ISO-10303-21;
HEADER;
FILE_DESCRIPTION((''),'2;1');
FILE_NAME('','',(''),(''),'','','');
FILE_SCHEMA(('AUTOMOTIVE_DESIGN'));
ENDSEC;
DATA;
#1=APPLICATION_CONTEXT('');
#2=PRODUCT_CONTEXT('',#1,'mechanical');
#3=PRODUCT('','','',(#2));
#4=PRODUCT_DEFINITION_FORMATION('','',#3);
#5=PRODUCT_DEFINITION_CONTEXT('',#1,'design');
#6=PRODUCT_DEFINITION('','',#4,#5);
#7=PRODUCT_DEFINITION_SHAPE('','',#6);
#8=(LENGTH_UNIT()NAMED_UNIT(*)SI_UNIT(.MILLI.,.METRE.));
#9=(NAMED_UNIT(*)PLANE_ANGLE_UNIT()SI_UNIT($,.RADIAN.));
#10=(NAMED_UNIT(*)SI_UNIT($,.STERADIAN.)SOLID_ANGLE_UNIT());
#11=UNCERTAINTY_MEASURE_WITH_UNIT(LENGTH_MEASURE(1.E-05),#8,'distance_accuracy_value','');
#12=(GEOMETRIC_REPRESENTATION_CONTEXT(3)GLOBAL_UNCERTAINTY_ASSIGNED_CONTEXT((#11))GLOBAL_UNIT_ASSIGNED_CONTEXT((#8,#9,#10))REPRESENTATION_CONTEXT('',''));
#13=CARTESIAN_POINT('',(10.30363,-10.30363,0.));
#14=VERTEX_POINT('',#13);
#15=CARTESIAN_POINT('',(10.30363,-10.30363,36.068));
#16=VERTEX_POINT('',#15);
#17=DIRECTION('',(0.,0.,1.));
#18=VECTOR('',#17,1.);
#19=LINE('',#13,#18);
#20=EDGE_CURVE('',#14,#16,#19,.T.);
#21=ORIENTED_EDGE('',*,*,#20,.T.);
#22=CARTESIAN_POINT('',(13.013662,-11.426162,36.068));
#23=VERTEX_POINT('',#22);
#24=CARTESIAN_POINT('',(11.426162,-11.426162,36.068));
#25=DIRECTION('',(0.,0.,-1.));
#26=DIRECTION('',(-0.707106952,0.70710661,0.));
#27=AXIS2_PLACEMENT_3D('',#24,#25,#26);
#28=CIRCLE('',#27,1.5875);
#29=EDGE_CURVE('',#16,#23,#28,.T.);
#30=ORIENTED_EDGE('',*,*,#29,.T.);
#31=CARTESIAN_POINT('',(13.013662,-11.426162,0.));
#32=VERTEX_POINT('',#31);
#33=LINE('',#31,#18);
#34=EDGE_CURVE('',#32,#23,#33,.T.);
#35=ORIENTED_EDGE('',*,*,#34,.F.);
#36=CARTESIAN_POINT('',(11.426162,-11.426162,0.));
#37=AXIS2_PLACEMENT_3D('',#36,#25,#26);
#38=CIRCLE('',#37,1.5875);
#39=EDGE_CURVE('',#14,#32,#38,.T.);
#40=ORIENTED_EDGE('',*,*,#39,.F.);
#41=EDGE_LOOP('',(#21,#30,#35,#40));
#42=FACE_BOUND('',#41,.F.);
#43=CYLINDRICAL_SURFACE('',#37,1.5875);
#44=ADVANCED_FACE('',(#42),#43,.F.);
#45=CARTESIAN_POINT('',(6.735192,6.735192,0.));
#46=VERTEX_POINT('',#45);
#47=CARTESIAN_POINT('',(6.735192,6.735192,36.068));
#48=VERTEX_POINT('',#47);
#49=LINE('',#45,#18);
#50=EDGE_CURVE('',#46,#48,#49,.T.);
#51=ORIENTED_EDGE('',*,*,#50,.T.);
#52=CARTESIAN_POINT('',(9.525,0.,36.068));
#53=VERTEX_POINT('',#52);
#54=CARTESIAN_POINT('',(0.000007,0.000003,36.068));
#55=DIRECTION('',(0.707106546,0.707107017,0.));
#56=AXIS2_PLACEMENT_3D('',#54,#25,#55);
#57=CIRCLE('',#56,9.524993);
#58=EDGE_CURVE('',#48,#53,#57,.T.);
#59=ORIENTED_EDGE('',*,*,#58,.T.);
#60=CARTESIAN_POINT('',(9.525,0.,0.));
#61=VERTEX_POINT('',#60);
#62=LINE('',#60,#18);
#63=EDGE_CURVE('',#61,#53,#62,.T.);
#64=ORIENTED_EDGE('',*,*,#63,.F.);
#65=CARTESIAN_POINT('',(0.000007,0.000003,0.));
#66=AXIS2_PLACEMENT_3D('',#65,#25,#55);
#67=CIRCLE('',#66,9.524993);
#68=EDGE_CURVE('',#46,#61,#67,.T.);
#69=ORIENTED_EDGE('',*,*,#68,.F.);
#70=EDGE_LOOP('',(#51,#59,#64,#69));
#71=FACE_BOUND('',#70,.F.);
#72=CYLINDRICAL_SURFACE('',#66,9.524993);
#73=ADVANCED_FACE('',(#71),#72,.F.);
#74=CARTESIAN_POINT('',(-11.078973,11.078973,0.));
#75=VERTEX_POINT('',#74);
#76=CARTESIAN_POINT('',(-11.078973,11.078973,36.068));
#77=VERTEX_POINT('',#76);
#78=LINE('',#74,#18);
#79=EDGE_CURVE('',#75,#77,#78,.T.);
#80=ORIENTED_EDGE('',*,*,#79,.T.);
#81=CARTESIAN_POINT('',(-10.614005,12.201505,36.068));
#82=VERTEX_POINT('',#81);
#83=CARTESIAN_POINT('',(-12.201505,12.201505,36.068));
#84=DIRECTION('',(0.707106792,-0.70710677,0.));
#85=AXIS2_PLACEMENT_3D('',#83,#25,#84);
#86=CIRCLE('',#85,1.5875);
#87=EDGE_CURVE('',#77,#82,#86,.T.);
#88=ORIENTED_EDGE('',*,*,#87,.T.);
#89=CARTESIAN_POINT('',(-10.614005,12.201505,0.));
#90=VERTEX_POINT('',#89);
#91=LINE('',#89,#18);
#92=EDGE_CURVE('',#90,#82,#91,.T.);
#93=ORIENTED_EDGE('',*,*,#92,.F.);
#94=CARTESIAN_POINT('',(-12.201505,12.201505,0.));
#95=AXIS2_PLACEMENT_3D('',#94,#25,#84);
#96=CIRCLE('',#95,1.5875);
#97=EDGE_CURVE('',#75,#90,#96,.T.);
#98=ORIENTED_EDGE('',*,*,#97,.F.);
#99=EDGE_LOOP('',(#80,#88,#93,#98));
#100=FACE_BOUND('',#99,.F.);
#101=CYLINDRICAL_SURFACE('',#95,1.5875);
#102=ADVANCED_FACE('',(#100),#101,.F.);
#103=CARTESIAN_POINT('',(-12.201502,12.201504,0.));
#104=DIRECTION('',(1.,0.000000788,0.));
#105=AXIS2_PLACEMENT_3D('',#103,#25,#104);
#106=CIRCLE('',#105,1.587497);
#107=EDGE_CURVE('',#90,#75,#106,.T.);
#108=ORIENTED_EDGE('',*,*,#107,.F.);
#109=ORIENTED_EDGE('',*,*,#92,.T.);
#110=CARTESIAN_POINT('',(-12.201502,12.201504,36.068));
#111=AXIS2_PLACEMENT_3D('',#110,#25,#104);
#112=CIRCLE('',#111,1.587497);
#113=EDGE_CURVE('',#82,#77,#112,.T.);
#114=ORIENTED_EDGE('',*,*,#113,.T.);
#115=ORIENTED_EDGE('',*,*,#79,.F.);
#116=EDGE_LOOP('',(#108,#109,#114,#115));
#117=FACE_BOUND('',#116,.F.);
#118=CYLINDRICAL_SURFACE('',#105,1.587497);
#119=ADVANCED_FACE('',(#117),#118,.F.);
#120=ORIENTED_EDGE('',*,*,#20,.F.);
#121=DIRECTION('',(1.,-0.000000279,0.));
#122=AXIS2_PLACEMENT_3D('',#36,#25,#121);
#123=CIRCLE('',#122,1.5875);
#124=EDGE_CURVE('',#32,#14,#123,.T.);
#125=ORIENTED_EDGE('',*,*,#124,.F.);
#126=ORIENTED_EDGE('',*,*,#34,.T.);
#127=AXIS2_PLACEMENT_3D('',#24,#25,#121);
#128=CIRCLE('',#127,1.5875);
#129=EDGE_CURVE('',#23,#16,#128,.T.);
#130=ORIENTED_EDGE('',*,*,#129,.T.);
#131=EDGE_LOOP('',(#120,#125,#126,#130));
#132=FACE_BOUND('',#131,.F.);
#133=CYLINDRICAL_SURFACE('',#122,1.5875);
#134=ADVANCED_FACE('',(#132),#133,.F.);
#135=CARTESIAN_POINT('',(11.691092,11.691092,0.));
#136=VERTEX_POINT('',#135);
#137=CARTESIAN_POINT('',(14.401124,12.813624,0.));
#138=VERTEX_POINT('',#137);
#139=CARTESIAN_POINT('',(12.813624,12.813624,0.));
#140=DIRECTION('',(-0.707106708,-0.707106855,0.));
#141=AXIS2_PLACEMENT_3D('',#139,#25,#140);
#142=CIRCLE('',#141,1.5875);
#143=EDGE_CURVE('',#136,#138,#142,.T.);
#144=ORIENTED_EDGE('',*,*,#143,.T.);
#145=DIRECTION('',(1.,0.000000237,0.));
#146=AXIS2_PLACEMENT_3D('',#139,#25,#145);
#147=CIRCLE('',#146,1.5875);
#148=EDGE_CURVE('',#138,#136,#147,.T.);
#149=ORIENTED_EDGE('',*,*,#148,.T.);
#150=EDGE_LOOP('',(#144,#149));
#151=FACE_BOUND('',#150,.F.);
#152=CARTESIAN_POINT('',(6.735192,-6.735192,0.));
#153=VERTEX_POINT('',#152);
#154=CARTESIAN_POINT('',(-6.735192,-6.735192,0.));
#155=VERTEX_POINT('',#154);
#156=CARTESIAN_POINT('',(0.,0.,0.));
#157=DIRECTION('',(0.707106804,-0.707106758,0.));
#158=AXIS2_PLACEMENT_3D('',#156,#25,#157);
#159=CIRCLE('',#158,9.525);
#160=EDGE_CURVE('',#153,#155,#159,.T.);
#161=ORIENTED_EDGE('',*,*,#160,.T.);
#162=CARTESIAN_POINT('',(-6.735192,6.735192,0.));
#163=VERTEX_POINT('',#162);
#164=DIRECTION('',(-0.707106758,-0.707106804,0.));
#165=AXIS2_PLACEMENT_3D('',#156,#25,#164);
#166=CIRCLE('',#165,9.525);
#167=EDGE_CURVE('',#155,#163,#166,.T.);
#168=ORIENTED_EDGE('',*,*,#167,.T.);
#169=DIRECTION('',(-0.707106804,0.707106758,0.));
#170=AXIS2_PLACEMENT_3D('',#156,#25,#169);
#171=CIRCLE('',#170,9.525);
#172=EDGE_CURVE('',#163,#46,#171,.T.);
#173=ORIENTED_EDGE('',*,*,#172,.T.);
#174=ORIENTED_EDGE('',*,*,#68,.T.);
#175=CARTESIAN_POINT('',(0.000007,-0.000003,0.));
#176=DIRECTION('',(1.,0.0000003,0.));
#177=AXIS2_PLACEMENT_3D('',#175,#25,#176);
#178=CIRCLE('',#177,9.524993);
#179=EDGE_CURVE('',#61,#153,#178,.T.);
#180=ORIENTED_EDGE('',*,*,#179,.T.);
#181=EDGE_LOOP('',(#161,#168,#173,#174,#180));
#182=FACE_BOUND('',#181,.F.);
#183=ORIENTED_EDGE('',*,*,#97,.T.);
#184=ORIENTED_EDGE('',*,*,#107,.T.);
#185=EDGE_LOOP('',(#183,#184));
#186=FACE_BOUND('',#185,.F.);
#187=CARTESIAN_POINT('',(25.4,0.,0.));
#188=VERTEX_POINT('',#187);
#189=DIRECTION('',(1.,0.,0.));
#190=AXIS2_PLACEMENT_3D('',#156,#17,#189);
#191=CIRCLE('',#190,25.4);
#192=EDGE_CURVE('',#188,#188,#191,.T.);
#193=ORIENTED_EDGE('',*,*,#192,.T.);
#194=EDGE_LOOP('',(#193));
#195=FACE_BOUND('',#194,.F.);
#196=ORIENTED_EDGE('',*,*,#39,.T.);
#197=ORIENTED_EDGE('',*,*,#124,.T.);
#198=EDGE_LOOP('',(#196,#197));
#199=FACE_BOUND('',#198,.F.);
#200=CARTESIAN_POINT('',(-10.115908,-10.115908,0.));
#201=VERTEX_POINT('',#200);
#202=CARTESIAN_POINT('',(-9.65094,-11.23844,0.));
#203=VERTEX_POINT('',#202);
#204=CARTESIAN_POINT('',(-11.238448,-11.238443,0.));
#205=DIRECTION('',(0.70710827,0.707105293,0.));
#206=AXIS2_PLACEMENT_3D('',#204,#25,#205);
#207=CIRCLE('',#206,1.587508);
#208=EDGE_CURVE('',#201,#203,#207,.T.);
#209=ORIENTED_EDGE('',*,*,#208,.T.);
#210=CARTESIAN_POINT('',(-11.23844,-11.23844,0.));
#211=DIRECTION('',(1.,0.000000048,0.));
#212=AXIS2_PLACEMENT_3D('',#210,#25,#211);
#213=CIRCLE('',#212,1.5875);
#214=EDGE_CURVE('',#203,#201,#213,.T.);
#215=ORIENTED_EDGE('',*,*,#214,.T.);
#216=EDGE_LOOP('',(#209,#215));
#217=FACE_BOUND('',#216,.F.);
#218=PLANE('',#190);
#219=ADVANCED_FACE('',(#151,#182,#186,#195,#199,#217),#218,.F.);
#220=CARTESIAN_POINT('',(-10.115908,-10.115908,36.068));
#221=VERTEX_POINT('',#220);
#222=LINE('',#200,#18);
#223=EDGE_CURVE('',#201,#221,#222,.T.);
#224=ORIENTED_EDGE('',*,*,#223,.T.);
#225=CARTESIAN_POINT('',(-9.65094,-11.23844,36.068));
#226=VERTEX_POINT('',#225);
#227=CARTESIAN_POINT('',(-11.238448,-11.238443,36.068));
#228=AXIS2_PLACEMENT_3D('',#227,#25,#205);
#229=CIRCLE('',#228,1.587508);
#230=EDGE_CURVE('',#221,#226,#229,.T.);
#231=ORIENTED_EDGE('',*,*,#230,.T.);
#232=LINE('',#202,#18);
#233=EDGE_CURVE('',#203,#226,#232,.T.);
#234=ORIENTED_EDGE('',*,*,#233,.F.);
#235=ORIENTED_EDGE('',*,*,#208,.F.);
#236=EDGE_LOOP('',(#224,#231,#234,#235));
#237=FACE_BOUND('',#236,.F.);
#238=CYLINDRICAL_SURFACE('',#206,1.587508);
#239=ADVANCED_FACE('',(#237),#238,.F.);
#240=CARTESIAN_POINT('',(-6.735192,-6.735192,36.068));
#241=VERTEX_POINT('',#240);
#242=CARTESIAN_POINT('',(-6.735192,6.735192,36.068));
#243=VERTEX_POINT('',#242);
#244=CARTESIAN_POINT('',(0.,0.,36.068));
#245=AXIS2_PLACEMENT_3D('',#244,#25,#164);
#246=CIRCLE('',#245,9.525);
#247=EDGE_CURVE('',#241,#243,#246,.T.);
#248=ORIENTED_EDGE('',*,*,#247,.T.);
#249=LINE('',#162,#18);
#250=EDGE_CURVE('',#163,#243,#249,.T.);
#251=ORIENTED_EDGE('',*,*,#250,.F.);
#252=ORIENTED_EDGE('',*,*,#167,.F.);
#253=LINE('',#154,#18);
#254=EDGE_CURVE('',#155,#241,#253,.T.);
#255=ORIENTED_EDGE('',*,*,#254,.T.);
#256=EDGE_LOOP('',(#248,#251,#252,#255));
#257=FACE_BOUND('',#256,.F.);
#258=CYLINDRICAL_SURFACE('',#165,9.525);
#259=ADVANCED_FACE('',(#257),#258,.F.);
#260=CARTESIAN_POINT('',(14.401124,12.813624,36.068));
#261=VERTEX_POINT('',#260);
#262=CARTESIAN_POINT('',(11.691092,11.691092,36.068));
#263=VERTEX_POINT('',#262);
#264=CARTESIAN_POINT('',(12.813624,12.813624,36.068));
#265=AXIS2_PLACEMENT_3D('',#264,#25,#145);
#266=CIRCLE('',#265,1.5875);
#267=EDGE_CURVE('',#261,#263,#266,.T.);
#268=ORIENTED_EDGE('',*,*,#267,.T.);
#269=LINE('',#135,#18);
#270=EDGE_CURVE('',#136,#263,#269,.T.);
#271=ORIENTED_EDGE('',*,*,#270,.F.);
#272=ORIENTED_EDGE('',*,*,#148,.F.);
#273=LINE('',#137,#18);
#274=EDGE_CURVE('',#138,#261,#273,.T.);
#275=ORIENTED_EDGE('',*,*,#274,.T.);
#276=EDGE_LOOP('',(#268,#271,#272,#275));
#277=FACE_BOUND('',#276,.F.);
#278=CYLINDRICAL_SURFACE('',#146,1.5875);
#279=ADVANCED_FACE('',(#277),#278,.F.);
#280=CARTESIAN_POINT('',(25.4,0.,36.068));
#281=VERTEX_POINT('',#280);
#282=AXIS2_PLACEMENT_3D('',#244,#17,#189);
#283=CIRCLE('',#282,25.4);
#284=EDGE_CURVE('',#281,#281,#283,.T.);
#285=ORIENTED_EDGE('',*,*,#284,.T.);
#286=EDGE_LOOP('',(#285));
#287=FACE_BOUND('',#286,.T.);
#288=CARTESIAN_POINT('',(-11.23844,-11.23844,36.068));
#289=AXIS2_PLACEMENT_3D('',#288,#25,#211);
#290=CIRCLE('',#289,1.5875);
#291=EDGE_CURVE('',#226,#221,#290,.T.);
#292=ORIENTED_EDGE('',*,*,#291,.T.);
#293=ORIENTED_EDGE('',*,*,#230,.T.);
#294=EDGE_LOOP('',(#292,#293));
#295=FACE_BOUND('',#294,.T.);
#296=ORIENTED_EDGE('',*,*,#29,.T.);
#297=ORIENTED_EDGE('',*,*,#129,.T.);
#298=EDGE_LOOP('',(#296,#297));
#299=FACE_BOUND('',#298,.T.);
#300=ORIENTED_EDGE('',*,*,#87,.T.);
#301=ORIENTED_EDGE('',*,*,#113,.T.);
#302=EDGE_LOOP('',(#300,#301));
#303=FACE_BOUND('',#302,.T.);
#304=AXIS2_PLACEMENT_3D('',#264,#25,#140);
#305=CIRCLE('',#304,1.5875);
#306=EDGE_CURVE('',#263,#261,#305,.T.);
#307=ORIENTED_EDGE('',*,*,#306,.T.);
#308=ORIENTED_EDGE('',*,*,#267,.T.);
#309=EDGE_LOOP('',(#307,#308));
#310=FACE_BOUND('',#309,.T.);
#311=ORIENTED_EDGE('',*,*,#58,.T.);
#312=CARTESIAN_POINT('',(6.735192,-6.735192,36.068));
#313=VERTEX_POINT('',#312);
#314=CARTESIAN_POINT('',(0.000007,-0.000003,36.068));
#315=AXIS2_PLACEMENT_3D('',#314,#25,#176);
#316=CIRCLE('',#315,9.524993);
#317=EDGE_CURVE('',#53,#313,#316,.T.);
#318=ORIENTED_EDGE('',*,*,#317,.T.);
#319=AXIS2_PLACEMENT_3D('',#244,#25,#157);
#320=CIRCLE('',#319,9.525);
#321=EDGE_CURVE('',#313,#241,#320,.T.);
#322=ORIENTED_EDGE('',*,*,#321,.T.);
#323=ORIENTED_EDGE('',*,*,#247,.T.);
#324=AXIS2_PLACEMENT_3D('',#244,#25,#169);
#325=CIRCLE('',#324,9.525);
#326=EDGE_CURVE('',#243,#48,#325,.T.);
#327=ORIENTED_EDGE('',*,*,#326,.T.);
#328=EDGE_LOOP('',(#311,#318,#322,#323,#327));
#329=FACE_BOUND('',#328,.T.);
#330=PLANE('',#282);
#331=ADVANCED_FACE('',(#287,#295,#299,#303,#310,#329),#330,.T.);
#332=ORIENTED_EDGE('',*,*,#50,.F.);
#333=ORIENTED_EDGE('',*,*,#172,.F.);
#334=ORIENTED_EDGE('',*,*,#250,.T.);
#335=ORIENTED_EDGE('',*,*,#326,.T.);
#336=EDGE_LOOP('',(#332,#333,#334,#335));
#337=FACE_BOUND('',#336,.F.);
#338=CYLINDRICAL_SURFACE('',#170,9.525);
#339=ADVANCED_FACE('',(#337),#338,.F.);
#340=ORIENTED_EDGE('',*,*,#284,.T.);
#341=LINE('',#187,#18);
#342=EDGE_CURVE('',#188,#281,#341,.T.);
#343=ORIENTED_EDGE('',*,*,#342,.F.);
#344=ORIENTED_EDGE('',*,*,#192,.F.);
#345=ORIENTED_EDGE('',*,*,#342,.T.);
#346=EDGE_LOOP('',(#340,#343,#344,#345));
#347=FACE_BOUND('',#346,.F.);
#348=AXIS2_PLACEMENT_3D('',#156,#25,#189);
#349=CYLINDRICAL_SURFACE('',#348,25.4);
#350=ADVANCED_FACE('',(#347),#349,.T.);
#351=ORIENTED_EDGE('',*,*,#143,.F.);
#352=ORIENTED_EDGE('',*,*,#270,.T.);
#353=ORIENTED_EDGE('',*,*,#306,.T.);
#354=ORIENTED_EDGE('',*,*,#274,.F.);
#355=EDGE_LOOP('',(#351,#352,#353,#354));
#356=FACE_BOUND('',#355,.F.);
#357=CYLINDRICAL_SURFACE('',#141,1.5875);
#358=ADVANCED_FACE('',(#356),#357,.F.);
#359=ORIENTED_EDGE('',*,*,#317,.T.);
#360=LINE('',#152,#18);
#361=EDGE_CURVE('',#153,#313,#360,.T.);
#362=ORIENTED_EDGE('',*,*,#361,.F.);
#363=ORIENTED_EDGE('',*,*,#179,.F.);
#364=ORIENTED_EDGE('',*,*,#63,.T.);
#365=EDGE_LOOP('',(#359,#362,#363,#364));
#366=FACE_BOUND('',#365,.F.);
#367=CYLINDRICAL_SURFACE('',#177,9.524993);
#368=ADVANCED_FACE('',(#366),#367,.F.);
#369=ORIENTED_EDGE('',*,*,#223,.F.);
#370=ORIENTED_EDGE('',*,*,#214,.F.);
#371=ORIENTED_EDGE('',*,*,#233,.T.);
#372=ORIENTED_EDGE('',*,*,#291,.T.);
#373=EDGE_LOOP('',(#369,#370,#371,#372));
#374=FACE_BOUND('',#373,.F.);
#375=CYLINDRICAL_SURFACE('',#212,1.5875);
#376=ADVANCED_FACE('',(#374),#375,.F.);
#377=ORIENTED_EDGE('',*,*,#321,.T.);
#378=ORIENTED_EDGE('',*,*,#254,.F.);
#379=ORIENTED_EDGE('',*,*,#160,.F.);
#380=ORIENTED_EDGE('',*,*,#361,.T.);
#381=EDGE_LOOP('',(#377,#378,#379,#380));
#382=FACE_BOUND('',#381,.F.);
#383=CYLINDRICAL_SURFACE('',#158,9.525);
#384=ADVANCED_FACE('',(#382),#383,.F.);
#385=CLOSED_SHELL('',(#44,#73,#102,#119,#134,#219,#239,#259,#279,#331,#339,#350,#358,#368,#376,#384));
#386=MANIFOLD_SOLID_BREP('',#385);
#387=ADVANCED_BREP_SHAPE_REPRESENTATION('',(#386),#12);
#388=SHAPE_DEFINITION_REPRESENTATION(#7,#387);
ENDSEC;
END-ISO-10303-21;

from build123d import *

# Parameters (mm, degrees)
F0_R     = 25.4
F1_DEPTH = 36.068


with BuildPart() as f1:
    # F0 (on Top) → F1 (new body)
    with BuildSketch(Plane.XY):
        Circle(F0_R)
        with BuildLine():
            ThreePointArc((-9.65094, -11.23844), (-12.705099, -11.84595), (-10.115908, -10.115908))
            ThreePointArc((-10.115908, -10.115908), (-9.771782, -10.63093), (-9.65094, -11.23844))
        make_face(mode=Mode.SUBTRACT)
        with BuildLine():
            ThreePointArc((6.735192, 6.735192), (8.799953, 3.64506), (9.525, 0))
            ThreePointArc((9.525, 0), (8.799953, -3.64506), (6.735192, -6.735192))
            ThreePointArc((6.735192, -6.735192), (0, -9.525), (-6.735192, -6.735192))
            ThreePointArc((-6.735192, -6.735192), (-9.525, 0), (-6.735192, 6.735192))
            ThreePointArc((-6.735192, 6.735192), (0, 9.525), (6.735192, 6.735192))
        make_face(mode=Mode.SUBTRACT)
        with BuildLine():
            ThreePointArc((13.013662, -11.426162), (10.818652, -12.89282), (10.30363, -10.30363))
            ThreePointArc((10.30363, -10.30363), (12.033672, -9.959503), (13.013662, -11.426162))
        make_face(mode=Mode.SUBTRACT)
        with BuildLine():
            ThreePointArc((-10.614005, 12.201505), (-10.734846, 11.593995), (-11.078973, 11.078973))
            ThreePointArc((-11.078973, 11.078973), (-13.668164, 12.809015), (-10.614005, 12.201505))
        make_face(mode=Mode.SUBTRACT)
        with BuildLine():
            ThreePointArc((14.401124, 12.813624), (13.421134, 11.346965), (11.691092, 11.691092))
            ThreePointArc((11.691092, 11.691092), (12.206114, 14.280283), (14.401124, 12.813624))
        make_face(mode=Mode.SUBTRACT)
    extrude(amount=F1_DEPTH)


solid = f1.part
